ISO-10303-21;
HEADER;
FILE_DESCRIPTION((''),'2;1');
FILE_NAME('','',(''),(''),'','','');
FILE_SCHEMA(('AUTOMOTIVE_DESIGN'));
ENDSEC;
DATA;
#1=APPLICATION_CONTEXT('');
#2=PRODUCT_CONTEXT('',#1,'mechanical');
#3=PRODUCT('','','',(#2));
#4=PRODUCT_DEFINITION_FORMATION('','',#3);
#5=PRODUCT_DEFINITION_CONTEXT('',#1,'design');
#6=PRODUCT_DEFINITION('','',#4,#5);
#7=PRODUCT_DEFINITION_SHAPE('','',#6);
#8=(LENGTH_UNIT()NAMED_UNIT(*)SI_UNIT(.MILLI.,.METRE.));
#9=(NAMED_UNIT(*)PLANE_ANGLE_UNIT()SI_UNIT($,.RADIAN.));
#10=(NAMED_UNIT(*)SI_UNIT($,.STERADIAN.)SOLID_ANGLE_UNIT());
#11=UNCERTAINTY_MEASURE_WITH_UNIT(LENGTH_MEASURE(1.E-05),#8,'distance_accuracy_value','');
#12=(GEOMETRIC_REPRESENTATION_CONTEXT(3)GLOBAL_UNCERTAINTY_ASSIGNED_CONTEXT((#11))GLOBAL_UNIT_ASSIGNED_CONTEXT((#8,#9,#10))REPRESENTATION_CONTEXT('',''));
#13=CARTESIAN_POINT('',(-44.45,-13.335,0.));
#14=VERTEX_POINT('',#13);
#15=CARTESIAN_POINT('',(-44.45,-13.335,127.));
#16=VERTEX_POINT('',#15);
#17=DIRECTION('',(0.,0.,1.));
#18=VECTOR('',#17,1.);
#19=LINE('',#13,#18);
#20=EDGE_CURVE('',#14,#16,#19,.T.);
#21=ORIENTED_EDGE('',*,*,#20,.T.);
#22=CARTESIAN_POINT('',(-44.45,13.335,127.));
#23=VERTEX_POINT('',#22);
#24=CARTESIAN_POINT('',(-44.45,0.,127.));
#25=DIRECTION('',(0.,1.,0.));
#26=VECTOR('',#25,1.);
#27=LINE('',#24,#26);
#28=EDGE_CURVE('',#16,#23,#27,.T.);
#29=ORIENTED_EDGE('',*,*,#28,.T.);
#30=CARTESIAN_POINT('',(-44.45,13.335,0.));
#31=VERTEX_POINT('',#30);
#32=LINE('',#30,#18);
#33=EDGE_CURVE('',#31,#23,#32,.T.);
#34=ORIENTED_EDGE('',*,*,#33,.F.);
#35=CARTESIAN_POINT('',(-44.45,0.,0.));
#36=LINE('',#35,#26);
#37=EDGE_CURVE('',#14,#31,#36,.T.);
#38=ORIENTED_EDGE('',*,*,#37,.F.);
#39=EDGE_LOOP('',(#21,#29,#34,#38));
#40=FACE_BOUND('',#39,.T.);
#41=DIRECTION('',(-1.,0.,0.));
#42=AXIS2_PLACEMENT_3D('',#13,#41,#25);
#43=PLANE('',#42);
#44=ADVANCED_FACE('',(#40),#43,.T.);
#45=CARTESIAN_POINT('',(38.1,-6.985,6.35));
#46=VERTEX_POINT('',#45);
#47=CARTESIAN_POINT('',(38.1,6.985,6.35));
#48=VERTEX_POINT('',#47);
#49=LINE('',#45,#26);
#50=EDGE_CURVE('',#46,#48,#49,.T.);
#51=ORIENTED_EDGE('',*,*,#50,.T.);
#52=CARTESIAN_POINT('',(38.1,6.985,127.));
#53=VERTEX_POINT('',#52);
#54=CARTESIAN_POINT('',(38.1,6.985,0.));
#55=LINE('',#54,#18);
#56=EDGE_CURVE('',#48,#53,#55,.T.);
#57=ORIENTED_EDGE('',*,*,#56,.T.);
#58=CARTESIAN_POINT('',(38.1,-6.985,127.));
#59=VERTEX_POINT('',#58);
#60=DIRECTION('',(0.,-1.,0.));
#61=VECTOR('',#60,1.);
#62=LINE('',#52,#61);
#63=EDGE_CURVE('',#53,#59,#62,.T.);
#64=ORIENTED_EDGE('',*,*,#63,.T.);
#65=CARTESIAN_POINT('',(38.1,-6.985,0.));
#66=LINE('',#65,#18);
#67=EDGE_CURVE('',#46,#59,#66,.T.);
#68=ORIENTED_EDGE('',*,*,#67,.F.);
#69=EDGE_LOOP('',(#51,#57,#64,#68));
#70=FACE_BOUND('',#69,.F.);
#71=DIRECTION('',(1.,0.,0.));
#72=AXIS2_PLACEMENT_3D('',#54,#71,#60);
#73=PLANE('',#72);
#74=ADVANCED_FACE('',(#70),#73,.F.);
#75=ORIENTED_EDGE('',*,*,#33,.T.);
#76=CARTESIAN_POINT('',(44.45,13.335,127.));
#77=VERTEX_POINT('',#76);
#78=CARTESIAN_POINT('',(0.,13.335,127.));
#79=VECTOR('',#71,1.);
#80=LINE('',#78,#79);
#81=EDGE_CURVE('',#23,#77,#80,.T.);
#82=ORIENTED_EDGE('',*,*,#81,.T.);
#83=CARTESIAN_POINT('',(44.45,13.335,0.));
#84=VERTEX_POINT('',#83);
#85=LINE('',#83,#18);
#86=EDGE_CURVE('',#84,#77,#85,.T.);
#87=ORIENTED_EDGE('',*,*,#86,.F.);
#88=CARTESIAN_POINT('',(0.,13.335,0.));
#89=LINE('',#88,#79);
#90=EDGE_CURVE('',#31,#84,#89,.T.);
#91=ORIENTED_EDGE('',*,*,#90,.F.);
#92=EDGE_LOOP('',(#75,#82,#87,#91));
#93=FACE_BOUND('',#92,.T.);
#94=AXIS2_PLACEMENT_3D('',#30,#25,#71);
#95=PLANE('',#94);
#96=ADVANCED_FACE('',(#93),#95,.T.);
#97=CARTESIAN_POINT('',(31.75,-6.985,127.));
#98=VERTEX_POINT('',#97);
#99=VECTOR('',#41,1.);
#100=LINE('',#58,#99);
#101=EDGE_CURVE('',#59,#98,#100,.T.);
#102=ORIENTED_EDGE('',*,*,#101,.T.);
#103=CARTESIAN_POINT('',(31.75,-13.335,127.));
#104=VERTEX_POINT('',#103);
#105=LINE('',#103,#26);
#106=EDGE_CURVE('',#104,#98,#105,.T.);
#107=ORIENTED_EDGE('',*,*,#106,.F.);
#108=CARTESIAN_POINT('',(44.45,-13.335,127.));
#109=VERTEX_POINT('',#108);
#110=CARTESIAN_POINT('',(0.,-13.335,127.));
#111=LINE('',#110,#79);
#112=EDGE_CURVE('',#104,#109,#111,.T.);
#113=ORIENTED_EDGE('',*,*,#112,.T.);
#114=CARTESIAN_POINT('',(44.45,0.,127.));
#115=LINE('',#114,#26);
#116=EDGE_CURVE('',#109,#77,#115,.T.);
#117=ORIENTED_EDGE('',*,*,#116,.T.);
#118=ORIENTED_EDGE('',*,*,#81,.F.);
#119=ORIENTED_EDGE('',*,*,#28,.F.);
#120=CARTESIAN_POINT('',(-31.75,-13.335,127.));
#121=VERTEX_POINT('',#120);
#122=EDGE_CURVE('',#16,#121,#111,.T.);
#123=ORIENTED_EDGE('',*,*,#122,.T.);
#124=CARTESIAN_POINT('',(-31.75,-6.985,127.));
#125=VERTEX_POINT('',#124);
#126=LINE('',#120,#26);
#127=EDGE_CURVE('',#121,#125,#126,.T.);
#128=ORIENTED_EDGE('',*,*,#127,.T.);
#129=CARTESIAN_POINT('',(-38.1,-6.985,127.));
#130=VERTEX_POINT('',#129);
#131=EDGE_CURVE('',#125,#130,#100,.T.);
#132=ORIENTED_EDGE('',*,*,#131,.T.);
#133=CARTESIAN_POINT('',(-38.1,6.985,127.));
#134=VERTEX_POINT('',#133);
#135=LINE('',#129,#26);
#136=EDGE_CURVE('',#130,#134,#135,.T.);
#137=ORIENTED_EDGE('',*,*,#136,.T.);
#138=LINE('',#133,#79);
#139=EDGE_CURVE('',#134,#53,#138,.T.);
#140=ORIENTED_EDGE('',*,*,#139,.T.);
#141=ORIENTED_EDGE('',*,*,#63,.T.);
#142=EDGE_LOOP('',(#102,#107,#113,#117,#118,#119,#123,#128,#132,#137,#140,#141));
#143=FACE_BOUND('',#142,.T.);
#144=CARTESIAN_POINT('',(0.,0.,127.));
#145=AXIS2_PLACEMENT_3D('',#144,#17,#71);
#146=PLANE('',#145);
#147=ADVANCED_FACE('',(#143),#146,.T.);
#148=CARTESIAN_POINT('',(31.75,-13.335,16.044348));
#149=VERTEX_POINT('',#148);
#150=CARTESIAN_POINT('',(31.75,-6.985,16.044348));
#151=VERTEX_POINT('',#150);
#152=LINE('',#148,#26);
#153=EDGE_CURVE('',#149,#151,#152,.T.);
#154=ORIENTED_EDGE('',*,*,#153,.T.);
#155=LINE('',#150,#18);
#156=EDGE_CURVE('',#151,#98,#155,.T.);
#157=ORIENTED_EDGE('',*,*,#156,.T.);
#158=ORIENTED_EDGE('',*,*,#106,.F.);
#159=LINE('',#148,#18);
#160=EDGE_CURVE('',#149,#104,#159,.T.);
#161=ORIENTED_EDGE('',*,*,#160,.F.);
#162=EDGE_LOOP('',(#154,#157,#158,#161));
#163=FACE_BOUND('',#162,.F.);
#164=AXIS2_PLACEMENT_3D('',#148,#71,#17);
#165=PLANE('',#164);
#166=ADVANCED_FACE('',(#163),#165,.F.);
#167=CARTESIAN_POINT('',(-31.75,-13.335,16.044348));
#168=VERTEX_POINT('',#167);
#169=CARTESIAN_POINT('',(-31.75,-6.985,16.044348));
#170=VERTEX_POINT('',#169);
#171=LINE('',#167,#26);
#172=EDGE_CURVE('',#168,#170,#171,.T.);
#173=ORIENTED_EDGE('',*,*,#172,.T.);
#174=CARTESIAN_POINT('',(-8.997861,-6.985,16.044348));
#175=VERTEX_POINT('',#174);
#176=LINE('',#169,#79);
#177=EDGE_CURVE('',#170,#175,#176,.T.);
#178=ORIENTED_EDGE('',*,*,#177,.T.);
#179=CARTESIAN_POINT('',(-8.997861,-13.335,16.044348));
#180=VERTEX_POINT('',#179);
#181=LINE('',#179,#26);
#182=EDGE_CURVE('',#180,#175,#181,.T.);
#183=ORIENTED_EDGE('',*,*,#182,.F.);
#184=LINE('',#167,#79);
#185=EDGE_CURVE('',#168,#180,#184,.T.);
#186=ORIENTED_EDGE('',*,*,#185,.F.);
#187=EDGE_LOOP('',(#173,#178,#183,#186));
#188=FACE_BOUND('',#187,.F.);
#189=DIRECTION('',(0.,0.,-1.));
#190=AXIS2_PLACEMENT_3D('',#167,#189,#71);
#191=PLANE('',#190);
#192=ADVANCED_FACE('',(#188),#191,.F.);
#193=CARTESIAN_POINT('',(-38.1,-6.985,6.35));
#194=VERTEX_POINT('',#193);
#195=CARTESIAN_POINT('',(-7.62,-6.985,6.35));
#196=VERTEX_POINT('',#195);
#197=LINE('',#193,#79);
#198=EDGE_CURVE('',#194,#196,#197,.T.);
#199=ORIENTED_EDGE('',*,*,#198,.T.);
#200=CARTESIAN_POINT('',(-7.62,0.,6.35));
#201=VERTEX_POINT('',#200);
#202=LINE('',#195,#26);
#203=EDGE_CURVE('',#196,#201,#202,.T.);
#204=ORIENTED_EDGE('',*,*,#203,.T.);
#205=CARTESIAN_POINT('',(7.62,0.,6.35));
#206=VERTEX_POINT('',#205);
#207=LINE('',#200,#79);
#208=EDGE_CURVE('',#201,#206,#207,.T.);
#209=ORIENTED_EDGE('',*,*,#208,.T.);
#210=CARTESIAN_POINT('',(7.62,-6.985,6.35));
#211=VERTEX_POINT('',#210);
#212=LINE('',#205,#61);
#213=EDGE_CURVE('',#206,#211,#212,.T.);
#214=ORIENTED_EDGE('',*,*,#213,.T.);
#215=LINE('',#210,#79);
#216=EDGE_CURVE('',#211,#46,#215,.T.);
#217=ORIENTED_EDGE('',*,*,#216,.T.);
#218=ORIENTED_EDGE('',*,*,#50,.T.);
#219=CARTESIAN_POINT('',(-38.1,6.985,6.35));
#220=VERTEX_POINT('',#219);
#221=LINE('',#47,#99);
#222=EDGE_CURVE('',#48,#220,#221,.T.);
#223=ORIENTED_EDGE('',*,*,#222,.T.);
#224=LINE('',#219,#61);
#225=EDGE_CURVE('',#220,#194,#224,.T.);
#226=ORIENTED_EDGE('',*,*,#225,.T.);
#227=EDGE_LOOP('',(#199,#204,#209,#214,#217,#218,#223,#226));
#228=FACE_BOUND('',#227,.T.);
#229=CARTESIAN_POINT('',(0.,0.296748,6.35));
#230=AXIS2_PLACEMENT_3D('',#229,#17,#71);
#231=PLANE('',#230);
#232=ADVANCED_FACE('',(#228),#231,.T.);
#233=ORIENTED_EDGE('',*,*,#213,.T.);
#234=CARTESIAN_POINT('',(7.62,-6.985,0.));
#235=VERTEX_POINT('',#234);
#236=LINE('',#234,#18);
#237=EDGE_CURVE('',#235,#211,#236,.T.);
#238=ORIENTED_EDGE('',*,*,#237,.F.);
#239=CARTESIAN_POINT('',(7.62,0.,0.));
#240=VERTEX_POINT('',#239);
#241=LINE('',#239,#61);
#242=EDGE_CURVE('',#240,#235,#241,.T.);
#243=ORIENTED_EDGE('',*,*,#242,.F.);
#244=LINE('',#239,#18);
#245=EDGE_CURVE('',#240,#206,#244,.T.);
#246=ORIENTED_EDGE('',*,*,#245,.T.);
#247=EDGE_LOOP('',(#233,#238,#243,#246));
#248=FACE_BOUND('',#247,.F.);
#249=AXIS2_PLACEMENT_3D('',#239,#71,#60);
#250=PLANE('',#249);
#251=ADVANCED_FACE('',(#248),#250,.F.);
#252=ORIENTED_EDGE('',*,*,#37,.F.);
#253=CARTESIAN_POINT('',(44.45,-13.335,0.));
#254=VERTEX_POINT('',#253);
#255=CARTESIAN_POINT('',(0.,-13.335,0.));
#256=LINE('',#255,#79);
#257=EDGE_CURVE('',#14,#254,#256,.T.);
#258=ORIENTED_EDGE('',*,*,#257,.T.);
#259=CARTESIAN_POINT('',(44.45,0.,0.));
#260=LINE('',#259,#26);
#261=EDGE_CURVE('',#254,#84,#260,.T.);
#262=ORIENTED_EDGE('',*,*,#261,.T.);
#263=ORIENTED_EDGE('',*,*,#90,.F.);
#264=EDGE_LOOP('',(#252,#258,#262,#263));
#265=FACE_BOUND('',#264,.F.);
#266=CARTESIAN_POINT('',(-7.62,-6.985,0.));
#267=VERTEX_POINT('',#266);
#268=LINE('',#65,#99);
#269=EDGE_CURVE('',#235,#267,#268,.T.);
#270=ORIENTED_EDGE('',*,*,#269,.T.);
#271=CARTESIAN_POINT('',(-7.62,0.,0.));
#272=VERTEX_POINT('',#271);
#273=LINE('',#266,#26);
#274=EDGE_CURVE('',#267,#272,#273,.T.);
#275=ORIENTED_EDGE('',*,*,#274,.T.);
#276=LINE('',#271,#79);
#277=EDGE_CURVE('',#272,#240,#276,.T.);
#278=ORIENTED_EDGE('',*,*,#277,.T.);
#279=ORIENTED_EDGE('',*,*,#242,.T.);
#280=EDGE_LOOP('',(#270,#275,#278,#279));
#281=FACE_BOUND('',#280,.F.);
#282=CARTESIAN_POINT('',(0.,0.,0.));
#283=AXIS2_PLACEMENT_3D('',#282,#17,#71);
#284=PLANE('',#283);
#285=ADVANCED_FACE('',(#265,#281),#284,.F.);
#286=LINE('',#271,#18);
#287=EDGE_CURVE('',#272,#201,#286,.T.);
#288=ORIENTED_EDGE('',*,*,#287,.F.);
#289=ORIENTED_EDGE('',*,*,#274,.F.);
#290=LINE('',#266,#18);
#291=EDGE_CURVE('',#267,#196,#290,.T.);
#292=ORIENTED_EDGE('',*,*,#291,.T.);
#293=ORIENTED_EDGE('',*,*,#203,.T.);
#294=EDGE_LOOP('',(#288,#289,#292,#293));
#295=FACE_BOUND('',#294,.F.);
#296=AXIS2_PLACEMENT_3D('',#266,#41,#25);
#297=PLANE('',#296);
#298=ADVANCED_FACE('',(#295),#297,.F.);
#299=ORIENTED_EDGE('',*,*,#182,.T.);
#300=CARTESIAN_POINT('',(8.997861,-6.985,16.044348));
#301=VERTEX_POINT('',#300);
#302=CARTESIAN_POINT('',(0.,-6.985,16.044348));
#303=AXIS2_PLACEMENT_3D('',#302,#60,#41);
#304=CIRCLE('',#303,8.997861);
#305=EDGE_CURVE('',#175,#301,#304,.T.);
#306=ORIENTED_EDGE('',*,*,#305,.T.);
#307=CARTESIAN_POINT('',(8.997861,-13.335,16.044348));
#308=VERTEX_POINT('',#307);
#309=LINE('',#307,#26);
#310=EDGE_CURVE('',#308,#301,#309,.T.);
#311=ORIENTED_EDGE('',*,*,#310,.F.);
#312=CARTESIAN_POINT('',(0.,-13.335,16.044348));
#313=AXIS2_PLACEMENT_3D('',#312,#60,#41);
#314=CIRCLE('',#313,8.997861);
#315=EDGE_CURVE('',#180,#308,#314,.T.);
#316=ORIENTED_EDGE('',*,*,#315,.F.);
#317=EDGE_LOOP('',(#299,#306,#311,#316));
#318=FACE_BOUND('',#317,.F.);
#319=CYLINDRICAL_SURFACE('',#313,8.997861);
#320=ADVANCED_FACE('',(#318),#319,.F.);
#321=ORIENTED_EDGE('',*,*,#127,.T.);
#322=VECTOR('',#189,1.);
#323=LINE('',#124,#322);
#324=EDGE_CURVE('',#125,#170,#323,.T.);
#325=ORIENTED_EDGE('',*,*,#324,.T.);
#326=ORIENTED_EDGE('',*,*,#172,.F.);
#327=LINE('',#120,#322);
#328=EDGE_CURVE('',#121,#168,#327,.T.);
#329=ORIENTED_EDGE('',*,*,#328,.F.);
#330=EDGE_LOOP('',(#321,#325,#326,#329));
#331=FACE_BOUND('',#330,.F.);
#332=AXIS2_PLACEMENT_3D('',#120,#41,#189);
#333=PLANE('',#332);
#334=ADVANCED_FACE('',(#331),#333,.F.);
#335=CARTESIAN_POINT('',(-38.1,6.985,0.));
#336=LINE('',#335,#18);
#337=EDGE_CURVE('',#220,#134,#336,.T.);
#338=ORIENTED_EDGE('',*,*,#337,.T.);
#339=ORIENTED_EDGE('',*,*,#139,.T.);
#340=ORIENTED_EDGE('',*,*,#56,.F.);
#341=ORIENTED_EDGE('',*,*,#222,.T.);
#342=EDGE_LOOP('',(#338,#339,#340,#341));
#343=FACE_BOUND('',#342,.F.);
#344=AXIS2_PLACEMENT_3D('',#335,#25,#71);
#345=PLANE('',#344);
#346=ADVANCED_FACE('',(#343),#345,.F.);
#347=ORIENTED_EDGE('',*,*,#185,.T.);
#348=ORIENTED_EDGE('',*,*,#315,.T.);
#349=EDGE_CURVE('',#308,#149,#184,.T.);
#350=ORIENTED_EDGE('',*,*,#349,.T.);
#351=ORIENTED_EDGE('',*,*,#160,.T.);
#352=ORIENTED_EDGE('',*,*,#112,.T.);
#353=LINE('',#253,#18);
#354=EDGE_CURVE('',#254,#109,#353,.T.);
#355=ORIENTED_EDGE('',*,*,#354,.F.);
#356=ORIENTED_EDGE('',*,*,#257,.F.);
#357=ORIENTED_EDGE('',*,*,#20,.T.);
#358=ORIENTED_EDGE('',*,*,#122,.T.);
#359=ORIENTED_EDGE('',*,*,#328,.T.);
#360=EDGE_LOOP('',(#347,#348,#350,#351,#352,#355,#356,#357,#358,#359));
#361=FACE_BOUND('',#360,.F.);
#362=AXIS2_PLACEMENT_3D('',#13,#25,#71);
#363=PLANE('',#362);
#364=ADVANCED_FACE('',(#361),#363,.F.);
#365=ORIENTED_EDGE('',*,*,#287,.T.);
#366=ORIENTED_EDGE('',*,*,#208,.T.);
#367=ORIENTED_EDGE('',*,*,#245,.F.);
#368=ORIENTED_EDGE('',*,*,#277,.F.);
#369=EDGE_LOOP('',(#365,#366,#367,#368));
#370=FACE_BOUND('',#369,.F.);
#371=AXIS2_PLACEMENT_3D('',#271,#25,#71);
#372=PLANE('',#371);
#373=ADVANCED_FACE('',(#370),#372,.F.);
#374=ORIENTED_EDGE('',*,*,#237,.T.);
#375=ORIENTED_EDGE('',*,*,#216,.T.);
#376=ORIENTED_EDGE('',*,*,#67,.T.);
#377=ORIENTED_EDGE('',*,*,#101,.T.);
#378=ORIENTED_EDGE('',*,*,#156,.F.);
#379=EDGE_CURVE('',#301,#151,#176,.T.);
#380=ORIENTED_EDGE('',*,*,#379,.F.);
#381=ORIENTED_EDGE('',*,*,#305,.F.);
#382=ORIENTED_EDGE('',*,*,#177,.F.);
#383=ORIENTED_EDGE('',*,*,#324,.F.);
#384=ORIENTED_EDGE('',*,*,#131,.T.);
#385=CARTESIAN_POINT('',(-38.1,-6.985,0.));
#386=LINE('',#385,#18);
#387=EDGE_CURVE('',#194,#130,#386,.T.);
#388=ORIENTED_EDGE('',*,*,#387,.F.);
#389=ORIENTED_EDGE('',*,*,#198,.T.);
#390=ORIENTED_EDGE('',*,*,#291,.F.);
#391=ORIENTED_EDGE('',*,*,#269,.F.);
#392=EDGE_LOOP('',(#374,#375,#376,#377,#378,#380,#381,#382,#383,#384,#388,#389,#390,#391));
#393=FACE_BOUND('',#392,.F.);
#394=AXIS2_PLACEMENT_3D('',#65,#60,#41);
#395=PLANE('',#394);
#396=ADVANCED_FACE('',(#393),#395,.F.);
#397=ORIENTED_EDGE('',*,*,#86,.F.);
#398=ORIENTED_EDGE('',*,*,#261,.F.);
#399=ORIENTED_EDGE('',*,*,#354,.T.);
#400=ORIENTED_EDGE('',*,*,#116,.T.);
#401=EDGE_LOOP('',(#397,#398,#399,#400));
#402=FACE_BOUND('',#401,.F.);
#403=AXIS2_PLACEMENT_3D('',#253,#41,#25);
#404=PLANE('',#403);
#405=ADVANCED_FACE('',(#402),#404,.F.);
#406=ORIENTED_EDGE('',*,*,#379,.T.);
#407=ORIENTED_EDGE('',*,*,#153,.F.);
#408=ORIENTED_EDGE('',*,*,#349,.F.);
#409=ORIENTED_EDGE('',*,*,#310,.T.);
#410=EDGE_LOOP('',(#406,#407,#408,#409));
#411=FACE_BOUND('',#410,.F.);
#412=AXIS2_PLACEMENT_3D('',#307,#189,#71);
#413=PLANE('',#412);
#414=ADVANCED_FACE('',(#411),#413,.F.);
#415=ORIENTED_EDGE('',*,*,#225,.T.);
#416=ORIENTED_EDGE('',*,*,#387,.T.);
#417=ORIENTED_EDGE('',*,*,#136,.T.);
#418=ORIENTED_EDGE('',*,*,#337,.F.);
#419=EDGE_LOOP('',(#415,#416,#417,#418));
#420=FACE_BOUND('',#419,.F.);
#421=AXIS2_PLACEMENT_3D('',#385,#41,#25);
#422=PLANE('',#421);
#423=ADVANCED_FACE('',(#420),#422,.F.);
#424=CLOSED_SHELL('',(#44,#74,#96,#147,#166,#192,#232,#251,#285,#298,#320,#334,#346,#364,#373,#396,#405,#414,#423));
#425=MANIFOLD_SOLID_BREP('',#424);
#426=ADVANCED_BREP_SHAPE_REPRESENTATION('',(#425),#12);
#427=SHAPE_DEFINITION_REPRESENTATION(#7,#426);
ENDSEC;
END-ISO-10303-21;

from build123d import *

# Parameters (mm, degrees)
F1_DEPTH = 6.35
F0_W     = 88.9
F0_H     = 26.67
F2_DEPTH = 127
F4_DEPTH = 6.35


with BuildPart() as f1:
    # F0 (on Top) → F1 (new body)
    with BuildSketch(Plane.XY):
        Polygon((38.1, -6.985), (38.1, 6.985), (-38.1, 6.985), (-38.1, -6.985), (-7.62, -6.985), (-7.62, 0), (7.62, 0), (7.62, -6.985), align=None)
    extrude(amount=F1_DEPTH)

    # F0 (on Top) → F2 (join)
    with BuildSketch(Plane.XY):
        Rectangle(F0_W, F0_H)
        Polygon((-38.1, 6.985), (38.1, 6.985), (38.1, -6.985), (7.62, -6.985), (-7.62, -6.985), (-38.1, -6.985), align=None, mode=Mode.SUBTRACT)
    extrude(amount=F2_DEPTH)

    # F3 (on face) → F4 (cut, through all)
    with BuildSketch(Plane.XZ.offset(13.335)):
        with BuildLine():
            Line((31.75, 127), (-31.75, 127))
            Line((-31.75, 127), (-31.75, 16.0443484783))
            Line((-31.75, 16.0443484783), (-8.9978614884, 16.0443484783))
            ThreePointArc((-8.9978614884, 16.0443484783), (0, 25.0422099667), (8.9978614884, 16.0443484783))
            Line((8.9978614884, 16.0443484783), (31.75, 16.0443484783))
            Line((31.75, 16.0443484783), (31.75, 127))
        make_face()
        with BuildLine():
            ThreePointArc((8.9978614884, 16.0443484783), (0, 25.0422099667), (-8.9978614884, 16.0443484783))
            Line((-8.9978614884, 16.0443484783), (8.9978614884, 16.0443484783))
        make_face()
        with BuildLine():
            Line((8.9978614884, 16.0443484783), (-8.9978614884, 16.0443484783))
            ThreePointArc((-8.9978614884, 16.0443484783), (0, 7.0464869899), (8.9978614884, 16.0443484783))
        make_face()
    extrude(amount=-F4_DEPTH, mode=Mode.SUBTRACT)


solid = f1.part
